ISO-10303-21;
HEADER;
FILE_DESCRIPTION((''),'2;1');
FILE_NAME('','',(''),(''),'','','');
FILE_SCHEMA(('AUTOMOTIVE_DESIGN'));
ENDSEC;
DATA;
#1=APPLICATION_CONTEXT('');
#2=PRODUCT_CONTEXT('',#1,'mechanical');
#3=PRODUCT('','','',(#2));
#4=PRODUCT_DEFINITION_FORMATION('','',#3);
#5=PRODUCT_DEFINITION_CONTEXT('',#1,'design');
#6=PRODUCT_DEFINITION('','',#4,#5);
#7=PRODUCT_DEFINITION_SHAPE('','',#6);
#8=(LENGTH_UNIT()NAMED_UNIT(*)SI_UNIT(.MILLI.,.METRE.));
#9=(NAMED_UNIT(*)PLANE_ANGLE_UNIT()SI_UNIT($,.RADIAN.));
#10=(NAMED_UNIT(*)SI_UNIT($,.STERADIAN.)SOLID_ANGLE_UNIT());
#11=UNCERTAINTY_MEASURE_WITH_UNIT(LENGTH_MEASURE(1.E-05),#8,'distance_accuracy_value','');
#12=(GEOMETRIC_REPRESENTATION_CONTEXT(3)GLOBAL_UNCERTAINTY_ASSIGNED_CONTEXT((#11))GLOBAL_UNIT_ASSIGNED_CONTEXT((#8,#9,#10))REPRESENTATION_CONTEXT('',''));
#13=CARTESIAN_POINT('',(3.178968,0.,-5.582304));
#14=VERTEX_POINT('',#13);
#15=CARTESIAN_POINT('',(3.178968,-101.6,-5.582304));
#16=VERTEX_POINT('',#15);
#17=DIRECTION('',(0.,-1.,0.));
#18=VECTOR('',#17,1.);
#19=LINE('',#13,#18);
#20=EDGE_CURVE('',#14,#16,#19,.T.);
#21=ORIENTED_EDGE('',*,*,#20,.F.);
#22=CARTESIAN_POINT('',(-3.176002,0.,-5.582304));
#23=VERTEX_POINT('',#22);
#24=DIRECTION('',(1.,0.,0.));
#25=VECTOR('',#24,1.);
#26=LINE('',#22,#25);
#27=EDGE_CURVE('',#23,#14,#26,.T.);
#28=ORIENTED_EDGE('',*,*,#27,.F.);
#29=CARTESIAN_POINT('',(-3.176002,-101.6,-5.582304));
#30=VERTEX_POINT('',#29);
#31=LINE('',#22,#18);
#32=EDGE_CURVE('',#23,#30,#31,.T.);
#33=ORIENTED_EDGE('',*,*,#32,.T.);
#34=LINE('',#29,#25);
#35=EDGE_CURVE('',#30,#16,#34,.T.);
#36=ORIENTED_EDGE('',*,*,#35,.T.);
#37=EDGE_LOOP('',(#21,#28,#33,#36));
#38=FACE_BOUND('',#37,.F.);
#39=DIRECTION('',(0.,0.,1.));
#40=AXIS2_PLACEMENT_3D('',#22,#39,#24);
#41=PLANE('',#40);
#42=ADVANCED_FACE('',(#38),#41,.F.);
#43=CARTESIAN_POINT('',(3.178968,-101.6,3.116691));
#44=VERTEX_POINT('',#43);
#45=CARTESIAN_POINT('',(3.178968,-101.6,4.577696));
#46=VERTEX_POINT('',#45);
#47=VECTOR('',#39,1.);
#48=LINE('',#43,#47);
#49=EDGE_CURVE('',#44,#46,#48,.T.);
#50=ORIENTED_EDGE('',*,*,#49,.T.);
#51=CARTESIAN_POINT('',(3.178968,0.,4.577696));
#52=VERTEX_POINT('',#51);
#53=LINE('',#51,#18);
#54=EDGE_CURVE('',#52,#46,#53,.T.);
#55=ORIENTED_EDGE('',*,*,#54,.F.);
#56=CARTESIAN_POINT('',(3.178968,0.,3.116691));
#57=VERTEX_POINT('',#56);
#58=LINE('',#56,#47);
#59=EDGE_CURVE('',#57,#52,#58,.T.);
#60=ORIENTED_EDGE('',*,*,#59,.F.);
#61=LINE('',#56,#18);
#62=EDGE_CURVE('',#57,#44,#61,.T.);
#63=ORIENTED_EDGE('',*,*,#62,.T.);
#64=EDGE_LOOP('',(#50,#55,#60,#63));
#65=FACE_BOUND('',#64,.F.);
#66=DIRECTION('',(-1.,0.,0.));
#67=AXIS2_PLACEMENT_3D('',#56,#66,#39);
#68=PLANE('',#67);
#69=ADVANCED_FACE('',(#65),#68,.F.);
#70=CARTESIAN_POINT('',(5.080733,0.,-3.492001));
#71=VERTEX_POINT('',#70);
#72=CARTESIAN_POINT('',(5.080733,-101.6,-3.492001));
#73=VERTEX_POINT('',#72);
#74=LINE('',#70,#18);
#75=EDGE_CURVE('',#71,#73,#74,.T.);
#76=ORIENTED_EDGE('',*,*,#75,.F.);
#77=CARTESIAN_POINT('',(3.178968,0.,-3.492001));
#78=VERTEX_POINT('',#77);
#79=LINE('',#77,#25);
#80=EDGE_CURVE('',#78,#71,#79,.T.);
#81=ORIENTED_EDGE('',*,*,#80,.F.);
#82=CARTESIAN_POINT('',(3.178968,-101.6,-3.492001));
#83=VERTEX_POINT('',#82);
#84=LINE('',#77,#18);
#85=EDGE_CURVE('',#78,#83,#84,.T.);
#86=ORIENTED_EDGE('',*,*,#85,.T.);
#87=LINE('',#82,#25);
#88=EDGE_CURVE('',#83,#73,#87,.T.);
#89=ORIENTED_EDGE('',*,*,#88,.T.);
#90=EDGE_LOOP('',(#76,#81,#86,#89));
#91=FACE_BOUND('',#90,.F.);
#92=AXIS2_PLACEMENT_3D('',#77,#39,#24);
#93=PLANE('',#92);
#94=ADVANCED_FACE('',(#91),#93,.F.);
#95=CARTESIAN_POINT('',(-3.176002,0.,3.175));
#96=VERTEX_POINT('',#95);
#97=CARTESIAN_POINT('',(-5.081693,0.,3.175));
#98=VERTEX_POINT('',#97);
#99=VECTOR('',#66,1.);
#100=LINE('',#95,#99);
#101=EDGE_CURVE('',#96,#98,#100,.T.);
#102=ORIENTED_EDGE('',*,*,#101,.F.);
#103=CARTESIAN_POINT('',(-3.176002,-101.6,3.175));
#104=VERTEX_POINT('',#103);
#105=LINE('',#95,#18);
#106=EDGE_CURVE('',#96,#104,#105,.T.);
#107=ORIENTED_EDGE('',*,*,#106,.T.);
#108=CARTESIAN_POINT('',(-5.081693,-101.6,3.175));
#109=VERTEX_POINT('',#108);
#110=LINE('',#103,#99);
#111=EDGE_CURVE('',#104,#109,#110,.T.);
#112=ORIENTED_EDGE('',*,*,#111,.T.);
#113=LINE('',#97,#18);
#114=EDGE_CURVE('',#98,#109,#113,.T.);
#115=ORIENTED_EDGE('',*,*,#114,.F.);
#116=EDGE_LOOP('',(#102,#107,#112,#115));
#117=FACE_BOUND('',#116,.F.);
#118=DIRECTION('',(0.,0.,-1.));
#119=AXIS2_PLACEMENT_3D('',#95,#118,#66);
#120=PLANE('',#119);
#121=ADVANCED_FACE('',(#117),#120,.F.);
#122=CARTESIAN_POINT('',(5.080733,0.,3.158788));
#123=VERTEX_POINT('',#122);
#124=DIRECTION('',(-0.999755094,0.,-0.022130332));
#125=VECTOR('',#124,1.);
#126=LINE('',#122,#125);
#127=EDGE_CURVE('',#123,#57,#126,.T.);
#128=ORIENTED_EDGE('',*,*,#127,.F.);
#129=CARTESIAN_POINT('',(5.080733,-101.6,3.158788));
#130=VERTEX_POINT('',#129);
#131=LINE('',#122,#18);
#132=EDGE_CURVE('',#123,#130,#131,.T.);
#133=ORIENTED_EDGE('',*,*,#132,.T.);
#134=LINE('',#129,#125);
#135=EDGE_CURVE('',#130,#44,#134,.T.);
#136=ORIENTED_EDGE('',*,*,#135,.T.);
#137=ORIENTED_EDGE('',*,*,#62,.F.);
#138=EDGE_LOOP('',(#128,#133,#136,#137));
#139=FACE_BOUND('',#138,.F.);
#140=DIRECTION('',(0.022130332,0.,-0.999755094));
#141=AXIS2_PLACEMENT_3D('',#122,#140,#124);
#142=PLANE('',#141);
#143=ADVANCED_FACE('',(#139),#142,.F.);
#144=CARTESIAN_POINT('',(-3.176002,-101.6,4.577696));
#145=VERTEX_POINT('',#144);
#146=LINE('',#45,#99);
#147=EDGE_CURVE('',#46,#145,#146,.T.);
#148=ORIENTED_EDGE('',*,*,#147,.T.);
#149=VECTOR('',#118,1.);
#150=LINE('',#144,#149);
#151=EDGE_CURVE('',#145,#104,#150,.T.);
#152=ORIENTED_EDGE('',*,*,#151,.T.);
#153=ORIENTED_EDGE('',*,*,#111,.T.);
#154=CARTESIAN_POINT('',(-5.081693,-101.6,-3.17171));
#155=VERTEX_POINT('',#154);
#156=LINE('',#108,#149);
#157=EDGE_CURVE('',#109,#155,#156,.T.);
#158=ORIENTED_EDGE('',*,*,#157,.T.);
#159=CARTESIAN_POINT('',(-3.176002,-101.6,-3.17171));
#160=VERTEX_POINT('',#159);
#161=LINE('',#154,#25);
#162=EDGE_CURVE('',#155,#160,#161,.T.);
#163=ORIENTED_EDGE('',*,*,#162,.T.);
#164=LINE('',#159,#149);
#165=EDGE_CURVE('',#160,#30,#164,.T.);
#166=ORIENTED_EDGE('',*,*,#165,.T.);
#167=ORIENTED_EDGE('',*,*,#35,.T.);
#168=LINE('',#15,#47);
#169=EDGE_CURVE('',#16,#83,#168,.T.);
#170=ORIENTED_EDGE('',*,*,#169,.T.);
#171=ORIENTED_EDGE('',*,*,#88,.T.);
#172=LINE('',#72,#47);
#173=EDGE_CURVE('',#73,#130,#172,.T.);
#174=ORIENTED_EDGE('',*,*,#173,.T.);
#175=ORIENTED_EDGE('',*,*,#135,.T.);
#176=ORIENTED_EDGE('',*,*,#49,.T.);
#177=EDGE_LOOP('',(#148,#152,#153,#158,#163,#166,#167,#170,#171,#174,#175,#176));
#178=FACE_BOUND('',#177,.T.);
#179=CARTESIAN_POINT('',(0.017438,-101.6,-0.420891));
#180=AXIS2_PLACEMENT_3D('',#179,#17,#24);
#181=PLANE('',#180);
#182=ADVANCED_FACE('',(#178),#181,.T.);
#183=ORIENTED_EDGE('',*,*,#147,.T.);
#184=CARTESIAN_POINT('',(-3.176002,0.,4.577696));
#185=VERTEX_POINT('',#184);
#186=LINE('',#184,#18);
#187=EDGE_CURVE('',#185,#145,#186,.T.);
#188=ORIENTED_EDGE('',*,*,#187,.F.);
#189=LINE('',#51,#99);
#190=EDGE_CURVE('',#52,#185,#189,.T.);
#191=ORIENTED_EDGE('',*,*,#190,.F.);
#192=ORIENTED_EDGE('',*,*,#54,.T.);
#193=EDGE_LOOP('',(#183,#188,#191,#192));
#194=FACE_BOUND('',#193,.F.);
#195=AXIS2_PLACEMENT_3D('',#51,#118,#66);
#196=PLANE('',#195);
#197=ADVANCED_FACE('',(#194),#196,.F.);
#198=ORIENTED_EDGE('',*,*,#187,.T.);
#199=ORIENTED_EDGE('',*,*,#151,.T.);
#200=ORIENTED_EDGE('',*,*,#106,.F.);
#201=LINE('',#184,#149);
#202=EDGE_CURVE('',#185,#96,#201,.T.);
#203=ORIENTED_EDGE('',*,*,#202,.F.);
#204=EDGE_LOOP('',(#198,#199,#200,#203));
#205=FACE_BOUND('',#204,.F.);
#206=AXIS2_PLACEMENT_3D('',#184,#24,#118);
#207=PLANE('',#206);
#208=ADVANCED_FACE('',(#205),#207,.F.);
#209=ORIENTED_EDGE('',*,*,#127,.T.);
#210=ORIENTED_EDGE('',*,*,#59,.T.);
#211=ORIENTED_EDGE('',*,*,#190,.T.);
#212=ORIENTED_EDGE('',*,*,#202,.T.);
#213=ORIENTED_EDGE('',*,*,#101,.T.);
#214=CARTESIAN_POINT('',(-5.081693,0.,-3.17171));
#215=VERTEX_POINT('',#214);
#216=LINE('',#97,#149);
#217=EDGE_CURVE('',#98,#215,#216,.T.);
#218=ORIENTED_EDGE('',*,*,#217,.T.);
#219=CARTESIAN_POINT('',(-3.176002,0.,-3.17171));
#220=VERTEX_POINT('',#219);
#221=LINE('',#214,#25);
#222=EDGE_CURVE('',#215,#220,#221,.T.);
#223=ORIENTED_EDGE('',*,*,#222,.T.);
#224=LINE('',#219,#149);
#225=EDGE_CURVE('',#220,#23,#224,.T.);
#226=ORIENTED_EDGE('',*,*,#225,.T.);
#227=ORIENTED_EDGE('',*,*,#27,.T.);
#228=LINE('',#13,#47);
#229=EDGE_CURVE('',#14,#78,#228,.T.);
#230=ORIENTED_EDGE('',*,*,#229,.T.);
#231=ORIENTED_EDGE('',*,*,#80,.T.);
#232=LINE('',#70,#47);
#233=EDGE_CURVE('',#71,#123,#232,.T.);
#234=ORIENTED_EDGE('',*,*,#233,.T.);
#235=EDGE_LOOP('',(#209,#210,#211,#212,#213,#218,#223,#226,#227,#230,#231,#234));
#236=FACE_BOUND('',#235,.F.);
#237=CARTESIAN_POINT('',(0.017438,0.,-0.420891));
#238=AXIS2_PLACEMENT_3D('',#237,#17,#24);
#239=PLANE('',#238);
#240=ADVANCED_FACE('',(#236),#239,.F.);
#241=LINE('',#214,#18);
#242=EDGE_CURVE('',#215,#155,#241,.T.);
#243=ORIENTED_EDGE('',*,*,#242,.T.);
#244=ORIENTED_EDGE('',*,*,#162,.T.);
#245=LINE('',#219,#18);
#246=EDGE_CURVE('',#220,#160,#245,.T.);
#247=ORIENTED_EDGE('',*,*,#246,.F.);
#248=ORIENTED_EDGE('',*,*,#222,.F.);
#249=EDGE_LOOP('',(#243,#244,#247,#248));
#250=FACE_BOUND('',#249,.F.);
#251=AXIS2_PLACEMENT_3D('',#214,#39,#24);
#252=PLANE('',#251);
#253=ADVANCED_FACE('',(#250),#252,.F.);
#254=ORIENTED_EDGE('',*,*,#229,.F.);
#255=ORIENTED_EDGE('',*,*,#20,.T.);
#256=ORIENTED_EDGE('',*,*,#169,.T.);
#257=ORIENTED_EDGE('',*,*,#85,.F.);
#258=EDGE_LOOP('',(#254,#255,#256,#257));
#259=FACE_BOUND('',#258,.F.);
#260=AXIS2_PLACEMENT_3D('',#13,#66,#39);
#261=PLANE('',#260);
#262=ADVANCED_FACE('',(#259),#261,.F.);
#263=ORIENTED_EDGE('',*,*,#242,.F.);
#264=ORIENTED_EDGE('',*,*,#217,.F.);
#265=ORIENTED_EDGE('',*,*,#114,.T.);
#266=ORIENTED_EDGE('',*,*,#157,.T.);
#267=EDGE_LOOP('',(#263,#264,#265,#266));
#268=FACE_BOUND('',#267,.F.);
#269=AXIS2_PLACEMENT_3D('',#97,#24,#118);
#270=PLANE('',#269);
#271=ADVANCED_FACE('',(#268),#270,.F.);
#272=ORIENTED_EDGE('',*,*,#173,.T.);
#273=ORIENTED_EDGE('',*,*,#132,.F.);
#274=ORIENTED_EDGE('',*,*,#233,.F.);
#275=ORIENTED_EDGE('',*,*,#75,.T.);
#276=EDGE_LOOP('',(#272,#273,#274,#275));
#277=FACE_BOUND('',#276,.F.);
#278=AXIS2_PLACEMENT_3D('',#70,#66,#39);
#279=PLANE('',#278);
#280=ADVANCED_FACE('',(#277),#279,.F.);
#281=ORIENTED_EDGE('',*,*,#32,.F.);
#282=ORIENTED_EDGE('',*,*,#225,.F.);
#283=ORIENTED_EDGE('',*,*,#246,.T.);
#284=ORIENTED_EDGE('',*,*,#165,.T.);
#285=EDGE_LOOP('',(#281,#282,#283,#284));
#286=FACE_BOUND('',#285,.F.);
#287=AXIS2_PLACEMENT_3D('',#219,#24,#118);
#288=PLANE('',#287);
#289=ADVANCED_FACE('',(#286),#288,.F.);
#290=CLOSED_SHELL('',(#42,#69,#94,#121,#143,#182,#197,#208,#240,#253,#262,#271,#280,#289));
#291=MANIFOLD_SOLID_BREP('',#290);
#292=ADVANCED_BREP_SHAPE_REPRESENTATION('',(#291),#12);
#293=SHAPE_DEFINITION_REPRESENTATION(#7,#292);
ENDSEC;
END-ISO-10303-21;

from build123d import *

# Parameters (mm, degrees)
F1_DEPTH = 101.6


with BuildPart() as f1:
    # F0 (on Front) → F1 (new body)
    with BuildSketch(Plane.XZ):
        Polygon((3.178968, 4.577696), (0, 4.577696), (-3.176002, 4.577696), (-3.176002, 3.175), (-5.081693, 3.175), (-5.081693, 0), (-5.081693, -3.17171), (-3.176002, -3.17171), (-3.176002, -5.582304), (0, -5.582304), (3.178968, -5.582304), (3.178968, -3.492001), (5.080733, -3.492001), (5.080733, -3.158578), (5.080733, 0), (5.080733, 3.158788), (3.178968, 3.116691), align=None)
    extrude(amount=F1_DEPTH)


solid = f1.part
